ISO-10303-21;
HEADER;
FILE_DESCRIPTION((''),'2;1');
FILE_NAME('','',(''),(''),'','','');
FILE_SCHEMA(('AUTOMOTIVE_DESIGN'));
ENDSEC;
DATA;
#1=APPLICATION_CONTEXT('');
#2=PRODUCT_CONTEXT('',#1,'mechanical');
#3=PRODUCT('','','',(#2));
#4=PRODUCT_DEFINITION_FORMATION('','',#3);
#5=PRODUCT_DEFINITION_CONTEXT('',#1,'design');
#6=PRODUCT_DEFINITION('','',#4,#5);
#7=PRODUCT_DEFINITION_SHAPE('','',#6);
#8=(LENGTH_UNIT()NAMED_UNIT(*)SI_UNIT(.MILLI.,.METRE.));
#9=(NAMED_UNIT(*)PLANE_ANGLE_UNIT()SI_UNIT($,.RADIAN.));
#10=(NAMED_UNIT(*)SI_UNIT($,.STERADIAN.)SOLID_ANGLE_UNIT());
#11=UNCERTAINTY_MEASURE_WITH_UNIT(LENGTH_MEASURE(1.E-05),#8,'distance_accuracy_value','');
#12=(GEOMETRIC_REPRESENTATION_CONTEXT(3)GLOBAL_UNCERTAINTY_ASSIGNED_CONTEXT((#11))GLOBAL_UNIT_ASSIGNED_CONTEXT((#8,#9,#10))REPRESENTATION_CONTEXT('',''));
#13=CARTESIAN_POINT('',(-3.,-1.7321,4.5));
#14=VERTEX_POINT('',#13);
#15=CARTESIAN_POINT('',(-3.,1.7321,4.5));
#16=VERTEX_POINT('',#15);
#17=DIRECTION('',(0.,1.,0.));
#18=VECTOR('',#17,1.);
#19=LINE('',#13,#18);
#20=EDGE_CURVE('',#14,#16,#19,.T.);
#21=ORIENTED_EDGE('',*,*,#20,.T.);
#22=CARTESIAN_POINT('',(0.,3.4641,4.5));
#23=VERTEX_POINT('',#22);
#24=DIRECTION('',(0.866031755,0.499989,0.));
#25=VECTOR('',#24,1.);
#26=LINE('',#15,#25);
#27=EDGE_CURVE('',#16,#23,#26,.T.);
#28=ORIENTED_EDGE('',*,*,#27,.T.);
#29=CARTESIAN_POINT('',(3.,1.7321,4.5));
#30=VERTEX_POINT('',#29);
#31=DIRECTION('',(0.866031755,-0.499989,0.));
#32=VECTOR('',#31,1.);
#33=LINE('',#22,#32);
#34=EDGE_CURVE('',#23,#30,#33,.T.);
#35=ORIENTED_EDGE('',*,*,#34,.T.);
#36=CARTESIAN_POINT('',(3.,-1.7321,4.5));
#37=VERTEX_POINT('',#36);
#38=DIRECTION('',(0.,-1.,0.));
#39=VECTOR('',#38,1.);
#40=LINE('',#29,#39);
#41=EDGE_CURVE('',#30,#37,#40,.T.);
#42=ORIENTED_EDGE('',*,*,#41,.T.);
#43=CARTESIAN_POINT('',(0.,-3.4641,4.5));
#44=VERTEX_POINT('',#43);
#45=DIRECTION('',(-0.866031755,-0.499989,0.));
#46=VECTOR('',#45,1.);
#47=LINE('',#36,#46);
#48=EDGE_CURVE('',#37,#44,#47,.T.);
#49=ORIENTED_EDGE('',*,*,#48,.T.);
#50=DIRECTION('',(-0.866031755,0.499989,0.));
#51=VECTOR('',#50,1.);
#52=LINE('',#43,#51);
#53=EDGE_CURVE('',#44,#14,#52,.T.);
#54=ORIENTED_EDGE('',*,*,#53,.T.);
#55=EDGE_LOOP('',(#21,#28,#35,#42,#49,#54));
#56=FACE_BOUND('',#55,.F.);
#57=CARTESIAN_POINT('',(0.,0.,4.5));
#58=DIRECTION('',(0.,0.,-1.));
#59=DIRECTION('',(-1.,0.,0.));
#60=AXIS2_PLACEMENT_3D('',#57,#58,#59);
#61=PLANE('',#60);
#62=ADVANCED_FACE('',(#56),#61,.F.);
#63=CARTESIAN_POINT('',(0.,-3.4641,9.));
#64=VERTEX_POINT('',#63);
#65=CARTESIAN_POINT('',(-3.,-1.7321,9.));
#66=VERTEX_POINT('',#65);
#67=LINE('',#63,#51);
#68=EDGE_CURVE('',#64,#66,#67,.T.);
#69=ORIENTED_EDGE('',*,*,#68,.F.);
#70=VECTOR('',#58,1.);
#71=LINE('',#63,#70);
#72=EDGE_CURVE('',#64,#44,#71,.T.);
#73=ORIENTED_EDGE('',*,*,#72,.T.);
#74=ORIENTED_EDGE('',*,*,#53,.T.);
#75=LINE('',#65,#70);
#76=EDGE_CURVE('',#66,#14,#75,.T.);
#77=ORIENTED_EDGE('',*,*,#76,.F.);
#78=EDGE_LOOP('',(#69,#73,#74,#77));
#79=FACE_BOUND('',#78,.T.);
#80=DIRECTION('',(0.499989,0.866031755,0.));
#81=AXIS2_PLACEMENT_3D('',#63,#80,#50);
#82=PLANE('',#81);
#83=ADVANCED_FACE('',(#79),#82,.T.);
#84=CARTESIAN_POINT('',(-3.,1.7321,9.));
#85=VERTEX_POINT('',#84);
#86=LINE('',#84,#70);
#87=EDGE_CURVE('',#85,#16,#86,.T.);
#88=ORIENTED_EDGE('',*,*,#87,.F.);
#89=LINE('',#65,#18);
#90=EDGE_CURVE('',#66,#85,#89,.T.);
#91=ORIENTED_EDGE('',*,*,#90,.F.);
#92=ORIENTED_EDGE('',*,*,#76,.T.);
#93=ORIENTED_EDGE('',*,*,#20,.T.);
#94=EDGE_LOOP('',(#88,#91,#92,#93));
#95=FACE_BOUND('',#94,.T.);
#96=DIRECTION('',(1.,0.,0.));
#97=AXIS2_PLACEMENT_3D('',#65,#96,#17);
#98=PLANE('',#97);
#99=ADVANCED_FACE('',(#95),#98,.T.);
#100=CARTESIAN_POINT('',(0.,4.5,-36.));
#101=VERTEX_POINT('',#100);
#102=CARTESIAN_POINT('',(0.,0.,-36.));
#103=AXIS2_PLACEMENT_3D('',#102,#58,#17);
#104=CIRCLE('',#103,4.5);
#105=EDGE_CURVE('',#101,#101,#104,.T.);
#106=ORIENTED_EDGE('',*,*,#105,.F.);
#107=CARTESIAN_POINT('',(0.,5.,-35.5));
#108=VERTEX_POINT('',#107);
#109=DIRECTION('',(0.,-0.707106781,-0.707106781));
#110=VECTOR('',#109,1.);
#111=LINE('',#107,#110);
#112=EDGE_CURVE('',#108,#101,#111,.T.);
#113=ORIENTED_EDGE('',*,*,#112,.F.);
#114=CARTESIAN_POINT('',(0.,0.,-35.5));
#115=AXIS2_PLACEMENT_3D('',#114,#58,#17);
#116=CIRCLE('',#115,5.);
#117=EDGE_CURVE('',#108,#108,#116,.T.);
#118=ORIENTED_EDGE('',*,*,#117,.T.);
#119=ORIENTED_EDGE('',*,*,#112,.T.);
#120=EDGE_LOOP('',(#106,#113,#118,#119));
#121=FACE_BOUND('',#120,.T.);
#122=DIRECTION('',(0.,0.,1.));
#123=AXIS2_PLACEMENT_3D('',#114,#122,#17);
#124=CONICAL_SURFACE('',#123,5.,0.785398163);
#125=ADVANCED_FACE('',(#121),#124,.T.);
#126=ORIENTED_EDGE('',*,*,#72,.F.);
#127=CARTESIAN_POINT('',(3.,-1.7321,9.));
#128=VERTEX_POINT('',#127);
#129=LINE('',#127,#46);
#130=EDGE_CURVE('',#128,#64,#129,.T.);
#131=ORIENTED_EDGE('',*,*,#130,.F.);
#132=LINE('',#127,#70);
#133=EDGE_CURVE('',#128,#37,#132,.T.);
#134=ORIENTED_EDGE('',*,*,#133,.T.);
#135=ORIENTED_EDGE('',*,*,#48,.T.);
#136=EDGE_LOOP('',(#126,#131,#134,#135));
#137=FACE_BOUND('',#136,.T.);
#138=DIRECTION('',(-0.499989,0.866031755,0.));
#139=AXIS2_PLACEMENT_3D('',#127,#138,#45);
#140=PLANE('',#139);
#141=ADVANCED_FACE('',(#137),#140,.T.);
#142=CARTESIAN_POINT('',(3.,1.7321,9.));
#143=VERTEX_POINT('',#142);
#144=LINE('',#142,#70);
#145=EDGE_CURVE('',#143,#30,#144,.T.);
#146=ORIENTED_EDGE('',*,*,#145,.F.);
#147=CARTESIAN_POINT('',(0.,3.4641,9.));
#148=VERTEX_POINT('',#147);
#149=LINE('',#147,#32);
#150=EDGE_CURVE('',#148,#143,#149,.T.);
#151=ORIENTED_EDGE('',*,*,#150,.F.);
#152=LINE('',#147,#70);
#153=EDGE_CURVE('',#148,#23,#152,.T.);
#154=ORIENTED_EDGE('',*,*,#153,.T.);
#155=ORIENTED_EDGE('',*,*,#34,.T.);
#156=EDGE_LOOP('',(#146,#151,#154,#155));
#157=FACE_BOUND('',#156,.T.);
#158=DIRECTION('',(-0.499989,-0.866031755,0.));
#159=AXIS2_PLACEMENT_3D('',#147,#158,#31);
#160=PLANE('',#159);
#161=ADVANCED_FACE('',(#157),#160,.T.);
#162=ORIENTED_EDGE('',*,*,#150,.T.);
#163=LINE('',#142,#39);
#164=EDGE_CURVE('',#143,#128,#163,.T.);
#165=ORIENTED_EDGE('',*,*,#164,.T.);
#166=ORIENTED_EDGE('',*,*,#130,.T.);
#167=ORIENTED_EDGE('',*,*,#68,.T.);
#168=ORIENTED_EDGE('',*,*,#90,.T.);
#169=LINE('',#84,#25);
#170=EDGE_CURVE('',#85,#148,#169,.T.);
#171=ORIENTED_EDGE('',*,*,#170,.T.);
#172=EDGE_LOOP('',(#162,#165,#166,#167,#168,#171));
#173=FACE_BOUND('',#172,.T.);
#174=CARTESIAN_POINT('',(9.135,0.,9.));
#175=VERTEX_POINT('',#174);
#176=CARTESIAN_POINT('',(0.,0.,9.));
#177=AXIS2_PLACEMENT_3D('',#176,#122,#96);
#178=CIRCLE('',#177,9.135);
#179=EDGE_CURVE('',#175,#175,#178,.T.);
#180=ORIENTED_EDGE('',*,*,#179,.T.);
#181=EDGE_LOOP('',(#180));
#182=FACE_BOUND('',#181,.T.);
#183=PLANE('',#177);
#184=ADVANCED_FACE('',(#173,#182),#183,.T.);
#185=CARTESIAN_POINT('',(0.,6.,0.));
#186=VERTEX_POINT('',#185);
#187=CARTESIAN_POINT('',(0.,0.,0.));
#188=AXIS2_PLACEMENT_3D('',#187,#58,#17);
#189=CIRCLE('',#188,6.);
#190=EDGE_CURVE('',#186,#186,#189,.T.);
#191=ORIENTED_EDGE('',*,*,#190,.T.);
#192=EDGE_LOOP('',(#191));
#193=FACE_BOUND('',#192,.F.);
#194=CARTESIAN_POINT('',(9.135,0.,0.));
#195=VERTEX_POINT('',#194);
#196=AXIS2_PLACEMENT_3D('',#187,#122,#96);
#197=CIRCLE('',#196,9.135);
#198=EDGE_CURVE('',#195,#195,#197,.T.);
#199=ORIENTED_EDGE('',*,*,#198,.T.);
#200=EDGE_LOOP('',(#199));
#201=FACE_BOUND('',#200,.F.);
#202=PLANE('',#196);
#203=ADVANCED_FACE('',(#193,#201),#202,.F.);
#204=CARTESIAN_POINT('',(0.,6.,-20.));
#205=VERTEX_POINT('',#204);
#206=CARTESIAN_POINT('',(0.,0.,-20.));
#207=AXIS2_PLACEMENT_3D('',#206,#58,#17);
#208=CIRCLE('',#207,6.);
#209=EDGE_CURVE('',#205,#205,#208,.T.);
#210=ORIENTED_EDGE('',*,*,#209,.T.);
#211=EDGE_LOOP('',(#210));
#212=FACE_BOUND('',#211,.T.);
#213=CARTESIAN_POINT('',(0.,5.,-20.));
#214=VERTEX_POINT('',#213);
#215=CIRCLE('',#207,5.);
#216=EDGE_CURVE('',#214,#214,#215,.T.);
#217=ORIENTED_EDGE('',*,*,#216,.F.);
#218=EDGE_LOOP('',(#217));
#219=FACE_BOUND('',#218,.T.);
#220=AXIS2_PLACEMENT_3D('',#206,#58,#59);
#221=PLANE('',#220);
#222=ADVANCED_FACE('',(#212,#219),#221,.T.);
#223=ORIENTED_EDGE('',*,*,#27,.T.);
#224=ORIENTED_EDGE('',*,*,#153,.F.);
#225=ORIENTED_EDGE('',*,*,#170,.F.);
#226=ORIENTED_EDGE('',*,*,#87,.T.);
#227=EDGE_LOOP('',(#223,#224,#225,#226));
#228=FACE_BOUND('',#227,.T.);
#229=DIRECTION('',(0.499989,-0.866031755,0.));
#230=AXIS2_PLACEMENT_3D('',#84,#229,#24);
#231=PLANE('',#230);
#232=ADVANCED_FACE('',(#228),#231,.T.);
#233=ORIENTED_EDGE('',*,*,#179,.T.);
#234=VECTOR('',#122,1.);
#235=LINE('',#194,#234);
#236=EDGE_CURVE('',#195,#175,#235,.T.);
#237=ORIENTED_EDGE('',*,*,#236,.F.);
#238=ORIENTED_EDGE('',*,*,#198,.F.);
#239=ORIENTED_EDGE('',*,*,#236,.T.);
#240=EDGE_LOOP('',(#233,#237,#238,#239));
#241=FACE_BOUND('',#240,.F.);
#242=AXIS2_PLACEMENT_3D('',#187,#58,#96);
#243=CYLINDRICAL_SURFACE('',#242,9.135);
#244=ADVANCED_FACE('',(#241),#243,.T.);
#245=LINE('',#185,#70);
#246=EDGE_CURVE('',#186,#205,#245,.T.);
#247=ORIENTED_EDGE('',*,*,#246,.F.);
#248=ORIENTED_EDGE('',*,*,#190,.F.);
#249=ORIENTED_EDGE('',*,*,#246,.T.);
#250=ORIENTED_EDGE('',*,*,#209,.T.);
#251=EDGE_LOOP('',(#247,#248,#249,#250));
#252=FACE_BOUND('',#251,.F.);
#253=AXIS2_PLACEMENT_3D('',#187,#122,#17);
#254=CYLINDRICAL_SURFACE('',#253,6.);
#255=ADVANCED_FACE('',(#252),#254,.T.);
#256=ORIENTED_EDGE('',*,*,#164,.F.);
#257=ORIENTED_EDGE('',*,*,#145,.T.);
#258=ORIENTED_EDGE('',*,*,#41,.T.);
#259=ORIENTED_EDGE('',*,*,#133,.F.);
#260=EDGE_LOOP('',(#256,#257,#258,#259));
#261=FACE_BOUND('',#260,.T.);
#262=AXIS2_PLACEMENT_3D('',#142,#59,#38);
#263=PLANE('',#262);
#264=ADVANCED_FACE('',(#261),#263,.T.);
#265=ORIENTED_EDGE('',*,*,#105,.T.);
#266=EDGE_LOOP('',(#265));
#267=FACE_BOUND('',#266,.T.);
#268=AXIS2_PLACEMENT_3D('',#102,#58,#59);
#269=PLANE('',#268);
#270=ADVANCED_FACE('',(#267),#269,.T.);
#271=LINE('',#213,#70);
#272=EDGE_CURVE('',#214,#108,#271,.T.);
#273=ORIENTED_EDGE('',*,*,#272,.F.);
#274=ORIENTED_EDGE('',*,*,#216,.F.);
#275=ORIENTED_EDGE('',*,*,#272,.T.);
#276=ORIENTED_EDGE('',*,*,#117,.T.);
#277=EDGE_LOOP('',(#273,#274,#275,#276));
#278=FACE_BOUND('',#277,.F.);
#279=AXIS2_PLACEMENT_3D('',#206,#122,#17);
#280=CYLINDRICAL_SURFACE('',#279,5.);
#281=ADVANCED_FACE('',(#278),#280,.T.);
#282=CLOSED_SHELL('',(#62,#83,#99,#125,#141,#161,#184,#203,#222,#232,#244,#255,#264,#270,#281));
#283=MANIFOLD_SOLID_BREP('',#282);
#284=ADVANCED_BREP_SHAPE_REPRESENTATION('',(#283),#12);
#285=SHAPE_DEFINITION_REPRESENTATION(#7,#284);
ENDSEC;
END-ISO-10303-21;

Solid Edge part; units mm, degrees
sketch "Sketch1" plane through (0, 0, 0) normal (0, 0, 1) x (1, 0, 0)
  circle A0 centre (0, 0) radius 9.135
  dimension "D1" = 18.27
extrude "Protrusion1" add sketch "Sketch1" along normal blind 9
sketch "Sketch2" plane through (0, 0, 9) normal (0, 0, 1) x (1, 0, 0)
  line L0 (0, -3.4641) -> (-3, -1.7321)
  line L1 (-3, -1.7321) -> (-3, 1.7321)
  line L2 (-3, 1.7321) -> (0, 3.4641)
  line L3 (0, 3.4641) -> (3, 1.7321)
  line L4 (3, 1.7321) -> (3, -1.7321)
  line L5 (3, -1.7321) -> (0, -3.4641)
  dimension "D1" = 6
extrude "Cutout1" cut sketch "Sketch2" against normal blind 4.5
sketch "Sketch3" plane through (0, 0, 0) normal (0, 0, -1) x (0, 1, 0)
  circle A0 centre (0, 0) radius 6
  dimension "D1" = 12
extrude "Protrusion2" add sketch "Sketch3" along normal blind 20
sketch "Sketch4" plane through (0, 0, -20) normal (0, 0, -1) x (0, 1, 0)
  circle A0 centre (0, 0) radius 5
  dimension "D1" = 10
extrude "Protrusion3" add sketch "Sketch4" along normal blind 16
chamfer "Chamfer1" distance 0.5 angle 45 1 edges at (0, -5, -36)
properties part number "113690"
